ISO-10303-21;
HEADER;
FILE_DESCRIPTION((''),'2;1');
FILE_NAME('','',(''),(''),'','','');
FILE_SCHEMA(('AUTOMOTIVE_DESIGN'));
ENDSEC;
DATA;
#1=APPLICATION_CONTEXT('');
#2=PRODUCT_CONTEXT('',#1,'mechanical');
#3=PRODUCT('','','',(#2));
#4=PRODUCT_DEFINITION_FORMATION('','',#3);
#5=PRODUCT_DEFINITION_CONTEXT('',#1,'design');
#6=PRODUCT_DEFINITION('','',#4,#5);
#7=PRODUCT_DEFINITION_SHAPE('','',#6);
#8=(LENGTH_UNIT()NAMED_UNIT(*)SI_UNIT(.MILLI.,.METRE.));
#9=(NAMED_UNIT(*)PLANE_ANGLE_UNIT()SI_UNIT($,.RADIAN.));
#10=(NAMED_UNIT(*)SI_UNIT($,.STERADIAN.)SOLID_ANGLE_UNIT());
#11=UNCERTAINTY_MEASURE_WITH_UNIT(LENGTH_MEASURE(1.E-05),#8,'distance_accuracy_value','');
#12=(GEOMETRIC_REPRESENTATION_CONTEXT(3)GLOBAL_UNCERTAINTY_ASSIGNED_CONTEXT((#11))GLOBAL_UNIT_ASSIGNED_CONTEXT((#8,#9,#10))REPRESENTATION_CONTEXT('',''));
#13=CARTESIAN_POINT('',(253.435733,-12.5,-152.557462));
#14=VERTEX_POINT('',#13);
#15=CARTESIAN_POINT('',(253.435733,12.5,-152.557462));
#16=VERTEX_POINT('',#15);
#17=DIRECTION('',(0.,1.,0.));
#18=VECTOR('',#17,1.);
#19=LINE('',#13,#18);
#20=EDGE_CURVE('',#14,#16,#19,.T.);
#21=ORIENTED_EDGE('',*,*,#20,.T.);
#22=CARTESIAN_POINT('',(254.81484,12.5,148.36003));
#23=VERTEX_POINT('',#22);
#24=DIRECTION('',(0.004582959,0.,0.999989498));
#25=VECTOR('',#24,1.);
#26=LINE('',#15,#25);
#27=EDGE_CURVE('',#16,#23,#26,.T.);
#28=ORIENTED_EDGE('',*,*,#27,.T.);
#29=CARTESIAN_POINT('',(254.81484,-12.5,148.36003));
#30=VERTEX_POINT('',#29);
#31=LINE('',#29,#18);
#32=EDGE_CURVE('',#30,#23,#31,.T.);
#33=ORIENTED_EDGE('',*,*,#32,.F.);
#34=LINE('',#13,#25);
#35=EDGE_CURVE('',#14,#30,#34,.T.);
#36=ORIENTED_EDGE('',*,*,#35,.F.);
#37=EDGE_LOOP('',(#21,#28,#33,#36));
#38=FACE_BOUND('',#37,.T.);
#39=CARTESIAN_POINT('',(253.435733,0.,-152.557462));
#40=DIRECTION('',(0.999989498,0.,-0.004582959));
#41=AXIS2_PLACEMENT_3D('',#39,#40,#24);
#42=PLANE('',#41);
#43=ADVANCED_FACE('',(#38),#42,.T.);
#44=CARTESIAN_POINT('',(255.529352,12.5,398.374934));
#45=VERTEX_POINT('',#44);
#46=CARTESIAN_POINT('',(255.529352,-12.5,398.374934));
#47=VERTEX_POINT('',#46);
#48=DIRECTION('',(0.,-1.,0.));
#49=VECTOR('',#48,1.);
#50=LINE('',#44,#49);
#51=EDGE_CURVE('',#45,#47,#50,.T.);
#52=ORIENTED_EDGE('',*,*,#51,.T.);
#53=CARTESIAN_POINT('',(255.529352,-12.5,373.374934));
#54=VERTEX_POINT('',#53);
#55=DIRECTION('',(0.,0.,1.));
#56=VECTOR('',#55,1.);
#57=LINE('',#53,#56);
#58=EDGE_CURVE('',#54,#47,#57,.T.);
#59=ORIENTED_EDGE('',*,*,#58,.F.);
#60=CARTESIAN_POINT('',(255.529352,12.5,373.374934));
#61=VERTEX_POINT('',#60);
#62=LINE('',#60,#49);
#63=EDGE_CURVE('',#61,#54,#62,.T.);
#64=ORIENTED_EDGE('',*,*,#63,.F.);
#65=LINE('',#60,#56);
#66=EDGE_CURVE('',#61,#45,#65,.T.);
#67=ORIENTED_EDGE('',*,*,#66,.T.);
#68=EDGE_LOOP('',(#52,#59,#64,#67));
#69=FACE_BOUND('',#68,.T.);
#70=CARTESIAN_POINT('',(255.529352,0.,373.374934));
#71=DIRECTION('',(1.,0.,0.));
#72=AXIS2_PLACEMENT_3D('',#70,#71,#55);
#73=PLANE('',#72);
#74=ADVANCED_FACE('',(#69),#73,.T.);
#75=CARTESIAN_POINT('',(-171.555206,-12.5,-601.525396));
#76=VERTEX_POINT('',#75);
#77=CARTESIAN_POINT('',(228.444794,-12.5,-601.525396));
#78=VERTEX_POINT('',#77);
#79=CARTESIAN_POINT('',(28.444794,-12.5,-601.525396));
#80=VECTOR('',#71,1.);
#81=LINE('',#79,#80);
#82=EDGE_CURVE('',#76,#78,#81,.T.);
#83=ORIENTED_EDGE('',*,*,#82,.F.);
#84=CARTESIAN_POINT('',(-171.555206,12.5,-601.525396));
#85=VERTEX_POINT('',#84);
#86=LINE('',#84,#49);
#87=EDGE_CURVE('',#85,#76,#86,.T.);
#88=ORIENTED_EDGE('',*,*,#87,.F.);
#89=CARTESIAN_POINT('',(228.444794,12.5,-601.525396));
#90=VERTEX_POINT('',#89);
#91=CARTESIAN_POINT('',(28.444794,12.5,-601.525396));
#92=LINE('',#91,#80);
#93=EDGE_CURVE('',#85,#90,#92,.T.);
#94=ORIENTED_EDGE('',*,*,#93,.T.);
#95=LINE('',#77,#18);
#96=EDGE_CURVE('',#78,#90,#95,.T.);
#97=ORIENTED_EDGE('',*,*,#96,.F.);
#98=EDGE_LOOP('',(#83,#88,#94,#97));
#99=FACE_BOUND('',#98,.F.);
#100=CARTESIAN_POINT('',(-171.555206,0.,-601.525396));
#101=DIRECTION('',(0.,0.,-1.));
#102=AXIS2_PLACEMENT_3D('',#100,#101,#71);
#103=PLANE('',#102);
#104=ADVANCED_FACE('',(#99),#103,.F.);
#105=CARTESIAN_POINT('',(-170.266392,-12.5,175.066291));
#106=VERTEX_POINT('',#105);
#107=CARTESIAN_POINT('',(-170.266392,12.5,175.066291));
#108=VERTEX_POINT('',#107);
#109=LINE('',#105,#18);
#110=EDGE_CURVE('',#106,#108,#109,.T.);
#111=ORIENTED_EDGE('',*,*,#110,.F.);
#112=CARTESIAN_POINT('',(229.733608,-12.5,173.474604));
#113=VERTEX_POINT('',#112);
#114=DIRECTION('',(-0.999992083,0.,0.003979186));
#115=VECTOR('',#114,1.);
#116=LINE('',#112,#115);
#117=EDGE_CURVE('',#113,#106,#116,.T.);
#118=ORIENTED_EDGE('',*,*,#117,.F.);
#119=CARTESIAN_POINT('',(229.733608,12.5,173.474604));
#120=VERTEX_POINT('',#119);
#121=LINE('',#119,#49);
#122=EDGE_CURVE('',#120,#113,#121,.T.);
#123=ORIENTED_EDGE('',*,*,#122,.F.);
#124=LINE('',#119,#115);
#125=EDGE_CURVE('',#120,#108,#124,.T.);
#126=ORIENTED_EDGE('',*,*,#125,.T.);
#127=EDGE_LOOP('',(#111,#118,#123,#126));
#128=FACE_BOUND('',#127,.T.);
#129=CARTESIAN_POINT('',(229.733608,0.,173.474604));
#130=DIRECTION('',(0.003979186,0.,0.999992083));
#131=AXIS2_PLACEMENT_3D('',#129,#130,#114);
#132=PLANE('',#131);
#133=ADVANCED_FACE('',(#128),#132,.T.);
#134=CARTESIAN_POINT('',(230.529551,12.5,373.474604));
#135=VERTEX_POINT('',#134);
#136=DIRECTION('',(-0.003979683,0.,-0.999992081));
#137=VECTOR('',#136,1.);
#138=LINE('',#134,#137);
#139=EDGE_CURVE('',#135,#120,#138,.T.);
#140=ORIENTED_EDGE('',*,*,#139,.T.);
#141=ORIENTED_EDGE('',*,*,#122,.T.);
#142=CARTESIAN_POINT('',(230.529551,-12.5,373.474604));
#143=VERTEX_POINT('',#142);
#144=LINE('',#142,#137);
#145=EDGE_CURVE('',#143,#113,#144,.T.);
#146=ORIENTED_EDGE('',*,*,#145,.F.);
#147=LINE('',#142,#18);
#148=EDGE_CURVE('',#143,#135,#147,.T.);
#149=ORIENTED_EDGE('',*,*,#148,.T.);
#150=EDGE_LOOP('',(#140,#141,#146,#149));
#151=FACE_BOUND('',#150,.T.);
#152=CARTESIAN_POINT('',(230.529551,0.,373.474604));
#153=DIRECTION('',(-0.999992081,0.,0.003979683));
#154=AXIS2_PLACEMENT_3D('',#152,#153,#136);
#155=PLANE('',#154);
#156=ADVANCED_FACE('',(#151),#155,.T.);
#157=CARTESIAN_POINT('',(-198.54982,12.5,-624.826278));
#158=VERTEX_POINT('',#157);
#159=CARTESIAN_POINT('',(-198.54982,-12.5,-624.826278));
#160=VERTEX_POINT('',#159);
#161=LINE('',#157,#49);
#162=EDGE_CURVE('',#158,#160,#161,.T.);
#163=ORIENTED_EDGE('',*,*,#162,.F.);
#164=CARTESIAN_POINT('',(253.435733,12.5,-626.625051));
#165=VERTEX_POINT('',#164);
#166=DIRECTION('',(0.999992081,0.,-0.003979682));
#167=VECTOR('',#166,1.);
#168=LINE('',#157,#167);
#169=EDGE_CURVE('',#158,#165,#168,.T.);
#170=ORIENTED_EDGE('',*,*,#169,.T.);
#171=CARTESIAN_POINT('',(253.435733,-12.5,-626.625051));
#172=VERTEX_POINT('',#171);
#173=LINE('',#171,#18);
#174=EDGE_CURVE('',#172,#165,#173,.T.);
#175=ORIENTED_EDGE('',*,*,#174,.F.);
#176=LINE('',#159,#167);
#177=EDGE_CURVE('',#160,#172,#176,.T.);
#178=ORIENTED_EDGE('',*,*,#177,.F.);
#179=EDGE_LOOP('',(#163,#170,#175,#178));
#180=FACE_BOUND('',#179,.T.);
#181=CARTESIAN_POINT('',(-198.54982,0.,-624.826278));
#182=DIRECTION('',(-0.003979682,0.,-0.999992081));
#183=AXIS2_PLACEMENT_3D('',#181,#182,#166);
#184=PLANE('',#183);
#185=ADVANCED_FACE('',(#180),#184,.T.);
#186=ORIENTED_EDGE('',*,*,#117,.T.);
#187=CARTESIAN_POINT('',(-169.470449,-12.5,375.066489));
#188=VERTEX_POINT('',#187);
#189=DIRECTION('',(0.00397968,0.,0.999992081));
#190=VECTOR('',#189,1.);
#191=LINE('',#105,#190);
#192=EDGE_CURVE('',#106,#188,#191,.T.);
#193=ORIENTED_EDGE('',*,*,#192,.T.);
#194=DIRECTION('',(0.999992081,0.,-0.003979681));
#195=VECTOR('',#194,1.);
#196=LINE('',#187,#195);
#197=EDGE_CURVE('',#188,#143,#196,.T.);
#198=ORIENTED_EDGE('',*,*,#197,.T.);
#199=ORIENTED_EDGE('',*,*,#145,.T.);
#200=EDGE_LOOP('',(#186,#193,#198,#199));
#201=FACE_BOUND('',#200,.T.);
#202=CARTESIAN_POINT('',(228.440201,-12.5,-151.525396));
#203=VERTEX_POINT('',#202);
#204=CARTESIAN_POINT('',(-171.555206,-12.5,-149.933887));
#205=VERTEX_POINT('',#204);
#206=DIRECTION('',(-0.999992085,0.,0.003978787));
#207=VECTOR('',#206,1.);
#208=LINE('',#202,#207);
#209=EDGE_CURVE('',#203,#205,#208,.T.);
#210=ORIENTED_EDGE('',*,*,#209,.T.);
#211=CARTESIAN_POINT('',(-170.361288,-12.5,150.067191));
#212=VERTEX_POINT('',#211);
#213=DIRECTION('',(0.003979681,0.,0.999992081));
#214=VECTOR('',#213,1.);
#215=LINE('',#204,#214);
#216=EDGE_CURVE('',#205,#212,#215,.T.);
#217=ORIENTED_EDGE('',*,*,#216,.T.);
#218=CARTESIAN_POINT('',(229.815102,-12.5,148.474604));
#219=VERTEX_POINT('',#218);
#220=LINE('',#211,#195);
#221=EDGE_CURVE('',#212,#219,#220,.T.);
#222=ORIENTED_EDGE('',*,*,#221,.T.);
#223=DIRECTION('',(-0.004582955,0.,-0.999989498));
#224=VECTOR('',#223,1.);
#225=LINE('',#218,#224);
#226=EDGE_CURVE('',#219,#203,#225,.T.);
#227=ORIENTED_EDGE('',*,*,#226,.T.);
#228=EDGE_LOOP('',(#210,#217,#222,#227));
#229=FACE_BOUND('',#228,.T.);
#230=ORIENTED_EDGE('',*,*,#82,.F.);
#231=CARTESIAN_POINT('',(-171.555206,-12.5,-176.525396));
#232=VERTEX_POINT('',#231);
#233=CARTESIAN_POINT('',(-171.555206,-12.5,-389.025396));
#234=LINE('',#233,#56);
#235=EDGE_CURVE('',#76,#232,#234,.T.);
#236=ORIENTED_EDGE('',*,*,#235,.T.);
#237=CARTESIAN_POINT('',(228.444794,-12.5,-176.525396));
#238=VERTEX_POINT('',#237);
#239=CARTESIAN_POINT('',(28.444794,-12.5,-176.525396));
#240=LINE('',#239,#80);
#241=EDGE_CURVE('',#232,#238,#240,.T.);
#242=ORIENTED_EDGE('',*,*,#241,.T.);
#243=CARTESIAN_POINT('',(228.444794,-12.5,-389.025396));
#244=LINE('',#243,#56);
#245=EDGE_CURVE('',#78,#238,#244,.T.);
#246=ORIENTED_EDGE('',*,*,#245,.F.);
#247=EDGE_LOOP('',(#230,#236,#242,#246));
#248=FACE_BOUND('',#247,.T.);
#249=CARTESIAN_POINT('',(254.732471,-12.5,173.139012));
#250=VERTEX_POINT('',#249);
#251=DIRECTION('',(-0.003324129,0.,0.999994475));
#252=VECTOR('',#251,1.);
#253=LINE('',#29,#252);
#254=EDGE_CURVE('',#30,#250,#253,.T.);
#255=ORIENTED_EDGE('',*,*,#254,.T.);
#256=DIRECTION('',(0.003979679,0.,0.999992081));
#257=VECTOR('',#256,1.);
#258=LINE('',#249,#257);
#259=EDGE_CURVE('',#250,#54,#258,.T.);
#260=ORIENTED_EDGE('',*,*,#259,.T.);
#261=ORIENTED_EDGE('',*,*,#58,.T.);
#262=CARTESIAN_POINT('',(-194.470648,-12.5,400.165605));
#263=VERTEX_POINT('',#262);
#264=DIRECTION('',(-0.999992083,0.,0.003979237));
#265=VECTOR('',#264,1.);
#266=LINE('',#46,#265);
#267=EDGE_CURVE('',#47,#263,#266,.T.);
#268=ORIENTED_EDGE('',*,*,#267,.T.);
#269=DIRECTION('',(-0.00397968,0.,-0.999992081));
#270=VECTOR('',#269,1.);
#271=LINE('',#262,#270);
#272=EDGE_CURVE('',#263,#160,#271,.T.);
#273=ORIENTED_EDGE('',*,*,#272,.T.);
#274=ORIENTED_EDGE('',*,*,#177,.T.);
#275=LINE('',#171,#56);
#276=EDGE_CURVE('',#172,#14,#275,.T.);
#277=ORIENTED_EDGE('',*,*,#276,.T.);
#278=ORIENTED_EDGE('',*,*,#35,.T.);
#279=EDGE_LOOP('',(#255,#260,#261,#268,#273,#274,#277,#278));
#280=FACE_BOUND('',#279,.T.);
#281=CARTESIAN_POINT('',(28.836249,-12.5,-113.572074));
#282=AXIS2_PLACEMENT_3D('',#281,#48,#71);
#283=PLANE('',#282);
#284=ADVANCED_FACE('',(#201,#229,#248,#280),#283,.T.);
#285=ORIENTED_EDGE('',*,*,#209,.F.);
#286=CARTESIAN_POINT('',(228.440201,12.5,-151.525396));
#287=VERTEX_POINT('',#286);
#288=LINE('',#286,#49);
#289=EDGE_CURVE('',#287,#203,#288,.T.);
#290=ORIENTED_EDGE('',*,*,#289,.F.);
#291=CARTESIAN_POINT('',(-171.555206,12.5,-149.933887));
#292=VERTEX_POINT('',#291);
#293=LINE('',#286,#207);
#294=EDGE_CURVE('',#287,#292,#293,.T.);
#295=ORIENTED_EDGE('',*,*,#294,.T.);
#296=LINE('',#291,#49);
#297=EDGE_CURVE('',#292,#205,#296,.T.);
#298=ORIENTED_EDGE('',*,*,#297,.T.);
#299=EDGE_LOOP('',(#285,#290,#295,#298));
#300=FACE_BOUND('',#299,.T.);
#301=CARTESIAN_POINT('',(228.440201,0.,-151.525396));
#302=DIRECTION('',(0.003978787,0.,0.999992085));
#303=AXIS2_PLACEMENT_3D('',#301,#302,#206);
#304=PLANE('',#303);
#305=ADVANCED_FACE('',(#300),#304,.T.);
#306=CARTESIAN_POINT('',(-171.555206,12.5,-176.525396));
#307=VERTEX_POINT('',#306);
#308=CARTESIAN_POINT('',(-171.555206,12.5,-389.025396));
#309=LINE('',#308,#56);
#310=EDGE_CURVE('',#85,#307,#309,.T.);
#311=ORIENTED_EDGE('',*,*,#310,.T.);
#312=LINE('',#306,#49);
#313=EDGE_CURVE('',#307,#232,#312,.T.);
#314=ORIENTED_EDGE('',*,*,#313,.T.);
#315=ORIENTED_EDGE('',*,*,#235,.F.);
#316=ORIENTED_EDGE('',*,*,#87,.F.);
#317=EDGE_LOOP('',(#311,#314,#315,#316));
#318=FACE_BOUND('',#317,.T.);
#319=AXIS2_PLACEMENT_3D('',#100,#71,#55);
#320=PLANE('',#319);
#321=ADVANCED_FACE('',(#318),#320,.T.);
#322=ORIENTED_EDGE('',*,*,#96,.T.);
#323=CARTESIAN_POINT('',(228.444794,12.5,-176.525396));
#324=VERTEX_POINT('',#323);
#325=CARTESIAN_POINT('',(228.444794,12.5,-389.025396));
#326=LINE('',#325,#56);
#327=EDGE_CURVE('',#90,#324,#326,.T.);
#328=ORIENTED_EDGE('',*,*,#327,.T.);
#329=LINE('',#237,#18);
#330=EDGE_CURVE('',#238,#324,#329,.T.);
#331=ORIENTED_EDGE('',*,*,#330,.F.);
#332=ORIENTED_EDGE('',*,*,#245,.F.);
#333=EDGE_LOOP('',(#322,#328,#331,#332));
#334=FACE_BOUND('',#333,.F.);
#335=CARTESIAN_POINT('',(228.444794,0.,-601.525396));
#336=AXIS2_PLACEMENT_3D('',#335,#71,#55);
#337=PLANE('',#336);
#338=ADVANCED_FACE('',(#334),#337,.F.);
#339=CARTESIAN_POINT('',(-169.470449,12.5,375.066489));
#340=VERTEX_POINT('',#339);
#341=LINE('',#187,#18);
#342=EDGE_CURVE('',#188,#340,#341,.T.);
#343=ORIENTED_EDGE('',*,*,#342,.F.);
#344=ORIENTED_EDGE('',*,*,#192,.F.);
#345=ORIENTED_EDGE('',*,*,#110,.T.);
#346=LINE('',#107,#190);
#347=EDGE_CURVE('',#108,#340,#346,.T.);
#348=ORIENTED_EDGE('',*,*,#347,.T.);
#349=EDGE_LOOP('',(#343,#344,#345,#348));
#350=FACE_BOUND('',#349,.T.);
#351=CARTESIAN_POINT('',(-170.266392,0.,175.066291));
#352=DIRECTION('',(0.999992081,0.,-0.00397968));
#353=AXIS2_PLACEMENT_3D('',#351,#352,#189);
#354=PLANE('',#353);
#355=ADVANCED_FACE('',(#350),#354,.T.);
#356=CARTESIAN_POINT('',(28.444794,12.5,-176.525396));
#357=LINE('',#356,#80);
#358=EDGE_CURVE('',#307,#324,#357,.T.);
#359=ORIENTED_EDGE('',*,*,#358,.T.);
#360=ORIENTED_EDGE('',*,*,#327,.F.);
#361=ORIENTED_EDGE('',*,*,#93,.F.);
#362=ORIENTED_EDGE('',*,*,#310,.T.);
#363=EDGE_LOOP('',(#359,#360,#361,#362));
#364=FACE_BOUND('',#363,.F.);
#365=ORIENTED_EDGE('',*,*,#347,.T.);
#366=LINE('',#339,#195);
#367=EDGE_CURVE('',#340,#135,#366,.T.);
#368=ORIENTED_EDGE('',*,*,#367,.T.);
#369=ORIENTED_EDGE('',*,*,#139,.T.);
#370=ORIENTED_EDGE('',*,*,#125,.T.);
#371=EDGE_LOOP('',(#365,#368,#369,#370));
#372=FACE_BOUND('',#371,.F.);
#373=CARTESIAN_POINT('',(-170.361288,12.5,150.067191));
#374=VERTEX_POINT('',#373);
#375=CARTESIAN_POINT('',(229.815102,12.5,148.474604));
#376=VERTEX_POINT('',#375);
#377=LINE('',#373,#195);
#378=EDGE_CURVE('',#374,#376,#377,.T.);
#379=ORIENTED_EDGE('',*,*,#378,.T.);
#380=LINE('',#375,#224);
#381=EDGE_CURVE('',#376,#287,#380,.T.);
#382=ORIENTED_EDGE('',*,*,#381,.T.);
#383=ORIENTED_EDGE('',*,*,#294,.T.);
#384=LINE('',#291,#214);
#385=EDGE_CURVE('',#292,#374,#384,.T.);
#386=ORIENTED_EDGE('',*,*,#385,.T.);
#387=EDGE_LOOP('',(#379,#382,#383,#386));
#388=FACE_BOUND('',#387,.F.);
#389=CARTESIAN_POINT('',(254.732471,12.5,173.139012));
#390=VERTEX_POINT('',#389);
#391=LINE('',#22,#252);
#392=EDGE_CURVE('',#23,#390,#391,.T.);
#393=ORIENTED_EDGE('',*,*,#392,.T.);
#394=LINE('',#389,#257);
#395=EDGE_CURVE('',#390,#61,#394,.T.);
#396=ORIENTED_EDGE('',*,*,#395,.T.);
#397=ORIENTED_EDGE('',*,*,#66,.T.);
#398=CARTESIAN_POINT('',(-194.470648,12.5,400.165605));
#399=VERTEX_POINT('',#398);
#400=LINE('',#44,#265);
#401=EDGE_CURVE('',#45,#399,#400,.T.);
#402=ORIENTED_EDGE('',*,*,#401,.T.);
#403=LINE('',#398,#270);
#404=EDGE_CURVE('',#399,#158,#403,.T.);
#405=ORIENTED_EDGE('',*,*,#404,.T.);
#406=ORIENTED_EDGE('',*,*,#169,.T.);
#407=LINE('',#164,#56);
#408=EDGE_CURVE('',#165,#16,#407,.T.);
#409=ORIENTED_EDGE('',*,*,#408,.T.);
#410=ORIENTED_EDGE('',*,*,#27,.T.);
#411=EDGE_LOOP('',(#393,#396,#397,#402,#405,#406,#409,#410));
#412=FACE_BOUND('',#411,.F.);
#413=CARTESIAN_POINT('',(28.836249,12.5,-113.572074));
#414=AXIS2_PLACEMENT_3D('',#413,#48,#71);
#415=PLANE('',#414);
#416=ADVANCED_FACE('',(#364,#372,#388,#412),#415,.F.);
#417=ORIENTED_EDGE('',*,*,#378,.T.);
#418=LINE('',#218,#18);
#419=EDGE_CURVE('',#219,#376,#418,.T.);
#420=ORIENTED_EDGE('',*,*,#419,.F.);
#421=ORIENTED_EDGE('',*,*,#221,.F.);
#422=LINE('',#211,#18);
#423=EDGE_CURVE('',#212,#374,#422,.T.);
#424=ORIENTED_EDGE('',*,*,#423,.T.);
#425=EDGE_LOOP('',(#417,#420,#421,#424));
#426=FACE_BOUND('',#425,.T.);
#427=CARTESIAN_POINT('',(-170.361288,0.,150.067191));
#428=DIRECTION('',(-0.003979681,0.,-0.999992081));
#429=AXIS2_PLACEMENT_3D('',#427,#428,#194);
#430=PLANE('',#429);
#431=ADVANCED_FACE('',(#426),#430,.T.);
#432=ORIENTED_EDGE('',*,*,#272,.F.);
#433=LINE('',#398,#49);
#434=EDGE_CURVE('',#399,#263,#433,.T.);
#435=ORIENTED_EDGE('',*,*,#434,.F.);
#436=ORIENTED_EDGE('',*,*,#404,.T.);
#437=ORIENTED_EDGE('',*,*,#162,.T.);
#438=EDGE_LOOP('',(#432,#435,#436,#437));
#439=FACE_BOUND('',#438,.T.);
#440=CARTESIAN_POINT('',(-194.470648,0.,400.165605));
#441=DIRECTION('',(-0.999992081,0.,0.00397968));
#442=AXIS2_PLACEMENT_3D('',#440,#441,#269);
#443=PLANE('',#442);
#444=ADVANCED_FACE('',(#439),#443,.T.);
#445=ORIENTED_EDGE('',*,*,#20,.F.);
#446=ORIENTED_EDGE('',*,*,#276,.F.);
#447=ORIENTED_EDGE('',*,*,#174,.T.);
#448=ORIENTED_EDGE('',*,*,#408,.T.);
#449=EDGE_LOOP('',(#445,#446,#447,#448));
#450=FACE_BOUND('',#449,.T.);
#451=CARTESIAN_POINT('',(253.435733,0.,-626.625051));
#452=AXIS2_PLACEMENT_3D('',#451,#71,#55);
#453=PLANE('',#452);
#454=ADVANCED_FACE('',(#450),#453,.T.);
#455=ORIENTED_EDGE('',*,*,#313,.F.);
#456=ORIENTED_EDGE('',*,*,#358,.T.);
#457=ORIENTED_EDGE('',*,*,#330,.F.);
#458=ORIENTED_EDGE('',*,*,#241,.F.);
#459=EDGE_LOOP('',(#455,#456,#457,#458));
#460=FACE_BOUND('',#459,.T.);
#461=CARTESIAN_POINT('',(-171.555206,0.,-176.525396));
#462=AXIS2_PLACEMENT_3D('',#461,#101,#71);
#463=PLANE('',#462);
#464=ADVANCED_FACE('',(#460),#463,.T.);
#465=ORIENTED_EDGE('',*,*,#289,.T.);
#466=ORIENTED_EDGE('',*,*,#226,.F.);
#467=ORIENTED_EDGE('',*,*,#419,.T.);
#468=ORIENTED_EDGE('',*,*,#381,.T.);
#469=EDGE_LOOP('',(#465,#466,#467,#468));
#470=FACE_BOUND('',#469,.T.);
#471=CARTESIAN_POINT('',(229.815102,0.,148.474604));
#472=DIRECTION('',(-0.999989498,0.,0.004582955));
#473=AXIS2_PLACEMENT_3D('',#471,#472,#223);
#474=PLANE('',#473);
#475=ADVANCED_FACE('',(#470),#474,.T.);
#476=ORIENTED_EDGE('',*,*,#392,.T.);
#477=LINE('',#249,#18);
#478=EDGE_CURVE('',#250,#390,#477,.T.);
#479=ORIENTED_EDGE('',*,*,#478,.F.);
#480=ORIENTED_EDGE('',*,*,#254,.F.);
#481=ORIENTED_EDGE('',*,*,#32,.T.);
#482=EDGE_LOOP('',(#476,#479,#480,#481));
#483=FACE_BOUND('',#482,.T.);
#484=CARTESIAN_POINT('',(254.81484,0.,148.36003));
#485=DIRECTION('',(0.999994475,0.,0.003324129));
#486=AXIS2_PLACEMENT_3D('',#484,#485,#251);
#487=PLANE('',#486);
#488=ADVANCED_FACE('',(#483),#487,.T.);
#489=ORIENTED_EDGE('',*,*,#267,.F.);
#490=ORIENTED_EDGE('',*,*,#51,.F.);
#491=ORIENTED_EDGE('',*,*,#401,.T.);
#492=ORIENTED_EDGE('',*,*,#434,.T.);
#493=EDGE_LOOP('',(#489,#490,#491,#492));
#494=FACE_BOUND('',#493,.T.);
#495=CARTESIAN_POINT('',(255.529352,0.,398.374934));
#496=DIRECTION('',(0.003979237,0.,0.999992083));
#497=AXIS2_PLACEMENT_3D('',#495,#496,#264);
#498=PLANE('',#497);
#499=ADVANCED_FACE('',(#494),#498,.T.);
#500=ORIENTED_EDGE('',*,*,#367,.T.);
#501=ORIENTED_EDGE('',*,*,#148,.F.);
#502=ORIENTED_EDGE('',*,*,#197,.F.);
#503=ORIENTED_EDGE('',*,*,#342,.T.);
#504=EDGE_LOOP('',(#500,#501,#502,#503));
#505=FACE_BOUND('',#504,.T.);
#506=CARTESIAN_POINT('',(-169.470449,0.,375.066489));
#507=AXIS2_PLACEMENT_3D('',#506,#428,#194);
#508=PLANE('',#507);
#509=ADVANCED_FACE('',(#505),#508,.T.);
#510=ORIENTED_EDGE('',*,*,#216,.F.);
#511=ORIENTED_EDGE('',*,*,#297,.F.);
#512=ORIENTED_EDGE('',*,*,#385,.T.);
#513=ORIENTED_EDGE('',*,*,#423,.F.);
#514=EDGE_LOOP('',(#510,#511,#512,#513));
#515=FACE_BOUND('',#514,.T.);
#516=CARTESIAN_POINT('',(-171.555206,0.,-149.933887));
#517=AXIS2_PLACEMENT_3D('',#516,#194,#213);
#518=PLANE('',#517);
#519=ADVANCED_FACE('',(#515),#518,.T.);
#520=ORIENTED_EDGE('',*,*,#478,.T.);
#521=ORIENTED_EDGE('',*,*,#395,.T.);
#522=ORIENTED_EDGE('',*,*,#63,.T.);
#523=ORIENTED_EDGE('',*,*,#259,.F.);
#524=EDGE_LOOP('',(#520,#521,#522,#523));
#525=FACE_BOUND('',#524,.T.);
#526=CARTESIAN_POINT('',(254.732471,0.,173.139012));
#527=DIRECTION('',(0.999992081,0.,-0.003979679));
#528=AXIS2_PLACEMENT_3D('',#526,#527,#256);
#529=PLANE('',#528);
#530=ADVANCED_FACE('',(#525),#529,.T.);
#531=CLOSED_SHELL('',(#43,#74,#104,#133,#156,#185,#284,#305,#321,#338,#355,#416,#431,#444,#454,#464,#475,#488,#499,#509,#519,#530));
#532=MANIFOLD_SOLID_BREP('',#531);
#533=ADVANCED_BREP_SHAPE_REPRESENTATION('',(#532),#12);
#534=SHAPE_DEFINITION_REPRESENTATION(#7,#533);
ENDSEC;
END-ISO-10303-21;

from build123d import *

# Parameters (mm, degrees)
F0_W     = 400
F0_H     = 425
F1_DEPTH = 12.5


with BuildPart() as f1:
    # F0 (on Front) → F1 (new body, symmetric)
    with BuildSketch(Plane.XZ):
        Polygon((254.732471, 173.139012), (255.529352, 373.374934), (255.529352, 398.374934), (-194.470648, 400.165605), (-198.54982, -624.826278), (253.435733, -626.625051), (253.435733, -152.557462), (254.81484, 148.36003), align=None)
        with Locations((28.444794, -389.025396)):
            Rectangle(F0_W, F0_H, mode=Mode.SUBTRACT)
        Polygon((228.440201, -151.525396), (-171.555206, -149.933887), (-170.361288, 150.067191), (229.815102, 148.474604), align=None, mode=Mode.SUBTRACT)
        Polygon((229.733608, 173.474604), (-170.266392, 175.066291), (-169.470449, 375.066489), (230.529551, 373.474604), align=None, mode=Mode.SUBTRACT)
    extrude(amount=F1_DEPTH, both=True)


solid = f1.part
